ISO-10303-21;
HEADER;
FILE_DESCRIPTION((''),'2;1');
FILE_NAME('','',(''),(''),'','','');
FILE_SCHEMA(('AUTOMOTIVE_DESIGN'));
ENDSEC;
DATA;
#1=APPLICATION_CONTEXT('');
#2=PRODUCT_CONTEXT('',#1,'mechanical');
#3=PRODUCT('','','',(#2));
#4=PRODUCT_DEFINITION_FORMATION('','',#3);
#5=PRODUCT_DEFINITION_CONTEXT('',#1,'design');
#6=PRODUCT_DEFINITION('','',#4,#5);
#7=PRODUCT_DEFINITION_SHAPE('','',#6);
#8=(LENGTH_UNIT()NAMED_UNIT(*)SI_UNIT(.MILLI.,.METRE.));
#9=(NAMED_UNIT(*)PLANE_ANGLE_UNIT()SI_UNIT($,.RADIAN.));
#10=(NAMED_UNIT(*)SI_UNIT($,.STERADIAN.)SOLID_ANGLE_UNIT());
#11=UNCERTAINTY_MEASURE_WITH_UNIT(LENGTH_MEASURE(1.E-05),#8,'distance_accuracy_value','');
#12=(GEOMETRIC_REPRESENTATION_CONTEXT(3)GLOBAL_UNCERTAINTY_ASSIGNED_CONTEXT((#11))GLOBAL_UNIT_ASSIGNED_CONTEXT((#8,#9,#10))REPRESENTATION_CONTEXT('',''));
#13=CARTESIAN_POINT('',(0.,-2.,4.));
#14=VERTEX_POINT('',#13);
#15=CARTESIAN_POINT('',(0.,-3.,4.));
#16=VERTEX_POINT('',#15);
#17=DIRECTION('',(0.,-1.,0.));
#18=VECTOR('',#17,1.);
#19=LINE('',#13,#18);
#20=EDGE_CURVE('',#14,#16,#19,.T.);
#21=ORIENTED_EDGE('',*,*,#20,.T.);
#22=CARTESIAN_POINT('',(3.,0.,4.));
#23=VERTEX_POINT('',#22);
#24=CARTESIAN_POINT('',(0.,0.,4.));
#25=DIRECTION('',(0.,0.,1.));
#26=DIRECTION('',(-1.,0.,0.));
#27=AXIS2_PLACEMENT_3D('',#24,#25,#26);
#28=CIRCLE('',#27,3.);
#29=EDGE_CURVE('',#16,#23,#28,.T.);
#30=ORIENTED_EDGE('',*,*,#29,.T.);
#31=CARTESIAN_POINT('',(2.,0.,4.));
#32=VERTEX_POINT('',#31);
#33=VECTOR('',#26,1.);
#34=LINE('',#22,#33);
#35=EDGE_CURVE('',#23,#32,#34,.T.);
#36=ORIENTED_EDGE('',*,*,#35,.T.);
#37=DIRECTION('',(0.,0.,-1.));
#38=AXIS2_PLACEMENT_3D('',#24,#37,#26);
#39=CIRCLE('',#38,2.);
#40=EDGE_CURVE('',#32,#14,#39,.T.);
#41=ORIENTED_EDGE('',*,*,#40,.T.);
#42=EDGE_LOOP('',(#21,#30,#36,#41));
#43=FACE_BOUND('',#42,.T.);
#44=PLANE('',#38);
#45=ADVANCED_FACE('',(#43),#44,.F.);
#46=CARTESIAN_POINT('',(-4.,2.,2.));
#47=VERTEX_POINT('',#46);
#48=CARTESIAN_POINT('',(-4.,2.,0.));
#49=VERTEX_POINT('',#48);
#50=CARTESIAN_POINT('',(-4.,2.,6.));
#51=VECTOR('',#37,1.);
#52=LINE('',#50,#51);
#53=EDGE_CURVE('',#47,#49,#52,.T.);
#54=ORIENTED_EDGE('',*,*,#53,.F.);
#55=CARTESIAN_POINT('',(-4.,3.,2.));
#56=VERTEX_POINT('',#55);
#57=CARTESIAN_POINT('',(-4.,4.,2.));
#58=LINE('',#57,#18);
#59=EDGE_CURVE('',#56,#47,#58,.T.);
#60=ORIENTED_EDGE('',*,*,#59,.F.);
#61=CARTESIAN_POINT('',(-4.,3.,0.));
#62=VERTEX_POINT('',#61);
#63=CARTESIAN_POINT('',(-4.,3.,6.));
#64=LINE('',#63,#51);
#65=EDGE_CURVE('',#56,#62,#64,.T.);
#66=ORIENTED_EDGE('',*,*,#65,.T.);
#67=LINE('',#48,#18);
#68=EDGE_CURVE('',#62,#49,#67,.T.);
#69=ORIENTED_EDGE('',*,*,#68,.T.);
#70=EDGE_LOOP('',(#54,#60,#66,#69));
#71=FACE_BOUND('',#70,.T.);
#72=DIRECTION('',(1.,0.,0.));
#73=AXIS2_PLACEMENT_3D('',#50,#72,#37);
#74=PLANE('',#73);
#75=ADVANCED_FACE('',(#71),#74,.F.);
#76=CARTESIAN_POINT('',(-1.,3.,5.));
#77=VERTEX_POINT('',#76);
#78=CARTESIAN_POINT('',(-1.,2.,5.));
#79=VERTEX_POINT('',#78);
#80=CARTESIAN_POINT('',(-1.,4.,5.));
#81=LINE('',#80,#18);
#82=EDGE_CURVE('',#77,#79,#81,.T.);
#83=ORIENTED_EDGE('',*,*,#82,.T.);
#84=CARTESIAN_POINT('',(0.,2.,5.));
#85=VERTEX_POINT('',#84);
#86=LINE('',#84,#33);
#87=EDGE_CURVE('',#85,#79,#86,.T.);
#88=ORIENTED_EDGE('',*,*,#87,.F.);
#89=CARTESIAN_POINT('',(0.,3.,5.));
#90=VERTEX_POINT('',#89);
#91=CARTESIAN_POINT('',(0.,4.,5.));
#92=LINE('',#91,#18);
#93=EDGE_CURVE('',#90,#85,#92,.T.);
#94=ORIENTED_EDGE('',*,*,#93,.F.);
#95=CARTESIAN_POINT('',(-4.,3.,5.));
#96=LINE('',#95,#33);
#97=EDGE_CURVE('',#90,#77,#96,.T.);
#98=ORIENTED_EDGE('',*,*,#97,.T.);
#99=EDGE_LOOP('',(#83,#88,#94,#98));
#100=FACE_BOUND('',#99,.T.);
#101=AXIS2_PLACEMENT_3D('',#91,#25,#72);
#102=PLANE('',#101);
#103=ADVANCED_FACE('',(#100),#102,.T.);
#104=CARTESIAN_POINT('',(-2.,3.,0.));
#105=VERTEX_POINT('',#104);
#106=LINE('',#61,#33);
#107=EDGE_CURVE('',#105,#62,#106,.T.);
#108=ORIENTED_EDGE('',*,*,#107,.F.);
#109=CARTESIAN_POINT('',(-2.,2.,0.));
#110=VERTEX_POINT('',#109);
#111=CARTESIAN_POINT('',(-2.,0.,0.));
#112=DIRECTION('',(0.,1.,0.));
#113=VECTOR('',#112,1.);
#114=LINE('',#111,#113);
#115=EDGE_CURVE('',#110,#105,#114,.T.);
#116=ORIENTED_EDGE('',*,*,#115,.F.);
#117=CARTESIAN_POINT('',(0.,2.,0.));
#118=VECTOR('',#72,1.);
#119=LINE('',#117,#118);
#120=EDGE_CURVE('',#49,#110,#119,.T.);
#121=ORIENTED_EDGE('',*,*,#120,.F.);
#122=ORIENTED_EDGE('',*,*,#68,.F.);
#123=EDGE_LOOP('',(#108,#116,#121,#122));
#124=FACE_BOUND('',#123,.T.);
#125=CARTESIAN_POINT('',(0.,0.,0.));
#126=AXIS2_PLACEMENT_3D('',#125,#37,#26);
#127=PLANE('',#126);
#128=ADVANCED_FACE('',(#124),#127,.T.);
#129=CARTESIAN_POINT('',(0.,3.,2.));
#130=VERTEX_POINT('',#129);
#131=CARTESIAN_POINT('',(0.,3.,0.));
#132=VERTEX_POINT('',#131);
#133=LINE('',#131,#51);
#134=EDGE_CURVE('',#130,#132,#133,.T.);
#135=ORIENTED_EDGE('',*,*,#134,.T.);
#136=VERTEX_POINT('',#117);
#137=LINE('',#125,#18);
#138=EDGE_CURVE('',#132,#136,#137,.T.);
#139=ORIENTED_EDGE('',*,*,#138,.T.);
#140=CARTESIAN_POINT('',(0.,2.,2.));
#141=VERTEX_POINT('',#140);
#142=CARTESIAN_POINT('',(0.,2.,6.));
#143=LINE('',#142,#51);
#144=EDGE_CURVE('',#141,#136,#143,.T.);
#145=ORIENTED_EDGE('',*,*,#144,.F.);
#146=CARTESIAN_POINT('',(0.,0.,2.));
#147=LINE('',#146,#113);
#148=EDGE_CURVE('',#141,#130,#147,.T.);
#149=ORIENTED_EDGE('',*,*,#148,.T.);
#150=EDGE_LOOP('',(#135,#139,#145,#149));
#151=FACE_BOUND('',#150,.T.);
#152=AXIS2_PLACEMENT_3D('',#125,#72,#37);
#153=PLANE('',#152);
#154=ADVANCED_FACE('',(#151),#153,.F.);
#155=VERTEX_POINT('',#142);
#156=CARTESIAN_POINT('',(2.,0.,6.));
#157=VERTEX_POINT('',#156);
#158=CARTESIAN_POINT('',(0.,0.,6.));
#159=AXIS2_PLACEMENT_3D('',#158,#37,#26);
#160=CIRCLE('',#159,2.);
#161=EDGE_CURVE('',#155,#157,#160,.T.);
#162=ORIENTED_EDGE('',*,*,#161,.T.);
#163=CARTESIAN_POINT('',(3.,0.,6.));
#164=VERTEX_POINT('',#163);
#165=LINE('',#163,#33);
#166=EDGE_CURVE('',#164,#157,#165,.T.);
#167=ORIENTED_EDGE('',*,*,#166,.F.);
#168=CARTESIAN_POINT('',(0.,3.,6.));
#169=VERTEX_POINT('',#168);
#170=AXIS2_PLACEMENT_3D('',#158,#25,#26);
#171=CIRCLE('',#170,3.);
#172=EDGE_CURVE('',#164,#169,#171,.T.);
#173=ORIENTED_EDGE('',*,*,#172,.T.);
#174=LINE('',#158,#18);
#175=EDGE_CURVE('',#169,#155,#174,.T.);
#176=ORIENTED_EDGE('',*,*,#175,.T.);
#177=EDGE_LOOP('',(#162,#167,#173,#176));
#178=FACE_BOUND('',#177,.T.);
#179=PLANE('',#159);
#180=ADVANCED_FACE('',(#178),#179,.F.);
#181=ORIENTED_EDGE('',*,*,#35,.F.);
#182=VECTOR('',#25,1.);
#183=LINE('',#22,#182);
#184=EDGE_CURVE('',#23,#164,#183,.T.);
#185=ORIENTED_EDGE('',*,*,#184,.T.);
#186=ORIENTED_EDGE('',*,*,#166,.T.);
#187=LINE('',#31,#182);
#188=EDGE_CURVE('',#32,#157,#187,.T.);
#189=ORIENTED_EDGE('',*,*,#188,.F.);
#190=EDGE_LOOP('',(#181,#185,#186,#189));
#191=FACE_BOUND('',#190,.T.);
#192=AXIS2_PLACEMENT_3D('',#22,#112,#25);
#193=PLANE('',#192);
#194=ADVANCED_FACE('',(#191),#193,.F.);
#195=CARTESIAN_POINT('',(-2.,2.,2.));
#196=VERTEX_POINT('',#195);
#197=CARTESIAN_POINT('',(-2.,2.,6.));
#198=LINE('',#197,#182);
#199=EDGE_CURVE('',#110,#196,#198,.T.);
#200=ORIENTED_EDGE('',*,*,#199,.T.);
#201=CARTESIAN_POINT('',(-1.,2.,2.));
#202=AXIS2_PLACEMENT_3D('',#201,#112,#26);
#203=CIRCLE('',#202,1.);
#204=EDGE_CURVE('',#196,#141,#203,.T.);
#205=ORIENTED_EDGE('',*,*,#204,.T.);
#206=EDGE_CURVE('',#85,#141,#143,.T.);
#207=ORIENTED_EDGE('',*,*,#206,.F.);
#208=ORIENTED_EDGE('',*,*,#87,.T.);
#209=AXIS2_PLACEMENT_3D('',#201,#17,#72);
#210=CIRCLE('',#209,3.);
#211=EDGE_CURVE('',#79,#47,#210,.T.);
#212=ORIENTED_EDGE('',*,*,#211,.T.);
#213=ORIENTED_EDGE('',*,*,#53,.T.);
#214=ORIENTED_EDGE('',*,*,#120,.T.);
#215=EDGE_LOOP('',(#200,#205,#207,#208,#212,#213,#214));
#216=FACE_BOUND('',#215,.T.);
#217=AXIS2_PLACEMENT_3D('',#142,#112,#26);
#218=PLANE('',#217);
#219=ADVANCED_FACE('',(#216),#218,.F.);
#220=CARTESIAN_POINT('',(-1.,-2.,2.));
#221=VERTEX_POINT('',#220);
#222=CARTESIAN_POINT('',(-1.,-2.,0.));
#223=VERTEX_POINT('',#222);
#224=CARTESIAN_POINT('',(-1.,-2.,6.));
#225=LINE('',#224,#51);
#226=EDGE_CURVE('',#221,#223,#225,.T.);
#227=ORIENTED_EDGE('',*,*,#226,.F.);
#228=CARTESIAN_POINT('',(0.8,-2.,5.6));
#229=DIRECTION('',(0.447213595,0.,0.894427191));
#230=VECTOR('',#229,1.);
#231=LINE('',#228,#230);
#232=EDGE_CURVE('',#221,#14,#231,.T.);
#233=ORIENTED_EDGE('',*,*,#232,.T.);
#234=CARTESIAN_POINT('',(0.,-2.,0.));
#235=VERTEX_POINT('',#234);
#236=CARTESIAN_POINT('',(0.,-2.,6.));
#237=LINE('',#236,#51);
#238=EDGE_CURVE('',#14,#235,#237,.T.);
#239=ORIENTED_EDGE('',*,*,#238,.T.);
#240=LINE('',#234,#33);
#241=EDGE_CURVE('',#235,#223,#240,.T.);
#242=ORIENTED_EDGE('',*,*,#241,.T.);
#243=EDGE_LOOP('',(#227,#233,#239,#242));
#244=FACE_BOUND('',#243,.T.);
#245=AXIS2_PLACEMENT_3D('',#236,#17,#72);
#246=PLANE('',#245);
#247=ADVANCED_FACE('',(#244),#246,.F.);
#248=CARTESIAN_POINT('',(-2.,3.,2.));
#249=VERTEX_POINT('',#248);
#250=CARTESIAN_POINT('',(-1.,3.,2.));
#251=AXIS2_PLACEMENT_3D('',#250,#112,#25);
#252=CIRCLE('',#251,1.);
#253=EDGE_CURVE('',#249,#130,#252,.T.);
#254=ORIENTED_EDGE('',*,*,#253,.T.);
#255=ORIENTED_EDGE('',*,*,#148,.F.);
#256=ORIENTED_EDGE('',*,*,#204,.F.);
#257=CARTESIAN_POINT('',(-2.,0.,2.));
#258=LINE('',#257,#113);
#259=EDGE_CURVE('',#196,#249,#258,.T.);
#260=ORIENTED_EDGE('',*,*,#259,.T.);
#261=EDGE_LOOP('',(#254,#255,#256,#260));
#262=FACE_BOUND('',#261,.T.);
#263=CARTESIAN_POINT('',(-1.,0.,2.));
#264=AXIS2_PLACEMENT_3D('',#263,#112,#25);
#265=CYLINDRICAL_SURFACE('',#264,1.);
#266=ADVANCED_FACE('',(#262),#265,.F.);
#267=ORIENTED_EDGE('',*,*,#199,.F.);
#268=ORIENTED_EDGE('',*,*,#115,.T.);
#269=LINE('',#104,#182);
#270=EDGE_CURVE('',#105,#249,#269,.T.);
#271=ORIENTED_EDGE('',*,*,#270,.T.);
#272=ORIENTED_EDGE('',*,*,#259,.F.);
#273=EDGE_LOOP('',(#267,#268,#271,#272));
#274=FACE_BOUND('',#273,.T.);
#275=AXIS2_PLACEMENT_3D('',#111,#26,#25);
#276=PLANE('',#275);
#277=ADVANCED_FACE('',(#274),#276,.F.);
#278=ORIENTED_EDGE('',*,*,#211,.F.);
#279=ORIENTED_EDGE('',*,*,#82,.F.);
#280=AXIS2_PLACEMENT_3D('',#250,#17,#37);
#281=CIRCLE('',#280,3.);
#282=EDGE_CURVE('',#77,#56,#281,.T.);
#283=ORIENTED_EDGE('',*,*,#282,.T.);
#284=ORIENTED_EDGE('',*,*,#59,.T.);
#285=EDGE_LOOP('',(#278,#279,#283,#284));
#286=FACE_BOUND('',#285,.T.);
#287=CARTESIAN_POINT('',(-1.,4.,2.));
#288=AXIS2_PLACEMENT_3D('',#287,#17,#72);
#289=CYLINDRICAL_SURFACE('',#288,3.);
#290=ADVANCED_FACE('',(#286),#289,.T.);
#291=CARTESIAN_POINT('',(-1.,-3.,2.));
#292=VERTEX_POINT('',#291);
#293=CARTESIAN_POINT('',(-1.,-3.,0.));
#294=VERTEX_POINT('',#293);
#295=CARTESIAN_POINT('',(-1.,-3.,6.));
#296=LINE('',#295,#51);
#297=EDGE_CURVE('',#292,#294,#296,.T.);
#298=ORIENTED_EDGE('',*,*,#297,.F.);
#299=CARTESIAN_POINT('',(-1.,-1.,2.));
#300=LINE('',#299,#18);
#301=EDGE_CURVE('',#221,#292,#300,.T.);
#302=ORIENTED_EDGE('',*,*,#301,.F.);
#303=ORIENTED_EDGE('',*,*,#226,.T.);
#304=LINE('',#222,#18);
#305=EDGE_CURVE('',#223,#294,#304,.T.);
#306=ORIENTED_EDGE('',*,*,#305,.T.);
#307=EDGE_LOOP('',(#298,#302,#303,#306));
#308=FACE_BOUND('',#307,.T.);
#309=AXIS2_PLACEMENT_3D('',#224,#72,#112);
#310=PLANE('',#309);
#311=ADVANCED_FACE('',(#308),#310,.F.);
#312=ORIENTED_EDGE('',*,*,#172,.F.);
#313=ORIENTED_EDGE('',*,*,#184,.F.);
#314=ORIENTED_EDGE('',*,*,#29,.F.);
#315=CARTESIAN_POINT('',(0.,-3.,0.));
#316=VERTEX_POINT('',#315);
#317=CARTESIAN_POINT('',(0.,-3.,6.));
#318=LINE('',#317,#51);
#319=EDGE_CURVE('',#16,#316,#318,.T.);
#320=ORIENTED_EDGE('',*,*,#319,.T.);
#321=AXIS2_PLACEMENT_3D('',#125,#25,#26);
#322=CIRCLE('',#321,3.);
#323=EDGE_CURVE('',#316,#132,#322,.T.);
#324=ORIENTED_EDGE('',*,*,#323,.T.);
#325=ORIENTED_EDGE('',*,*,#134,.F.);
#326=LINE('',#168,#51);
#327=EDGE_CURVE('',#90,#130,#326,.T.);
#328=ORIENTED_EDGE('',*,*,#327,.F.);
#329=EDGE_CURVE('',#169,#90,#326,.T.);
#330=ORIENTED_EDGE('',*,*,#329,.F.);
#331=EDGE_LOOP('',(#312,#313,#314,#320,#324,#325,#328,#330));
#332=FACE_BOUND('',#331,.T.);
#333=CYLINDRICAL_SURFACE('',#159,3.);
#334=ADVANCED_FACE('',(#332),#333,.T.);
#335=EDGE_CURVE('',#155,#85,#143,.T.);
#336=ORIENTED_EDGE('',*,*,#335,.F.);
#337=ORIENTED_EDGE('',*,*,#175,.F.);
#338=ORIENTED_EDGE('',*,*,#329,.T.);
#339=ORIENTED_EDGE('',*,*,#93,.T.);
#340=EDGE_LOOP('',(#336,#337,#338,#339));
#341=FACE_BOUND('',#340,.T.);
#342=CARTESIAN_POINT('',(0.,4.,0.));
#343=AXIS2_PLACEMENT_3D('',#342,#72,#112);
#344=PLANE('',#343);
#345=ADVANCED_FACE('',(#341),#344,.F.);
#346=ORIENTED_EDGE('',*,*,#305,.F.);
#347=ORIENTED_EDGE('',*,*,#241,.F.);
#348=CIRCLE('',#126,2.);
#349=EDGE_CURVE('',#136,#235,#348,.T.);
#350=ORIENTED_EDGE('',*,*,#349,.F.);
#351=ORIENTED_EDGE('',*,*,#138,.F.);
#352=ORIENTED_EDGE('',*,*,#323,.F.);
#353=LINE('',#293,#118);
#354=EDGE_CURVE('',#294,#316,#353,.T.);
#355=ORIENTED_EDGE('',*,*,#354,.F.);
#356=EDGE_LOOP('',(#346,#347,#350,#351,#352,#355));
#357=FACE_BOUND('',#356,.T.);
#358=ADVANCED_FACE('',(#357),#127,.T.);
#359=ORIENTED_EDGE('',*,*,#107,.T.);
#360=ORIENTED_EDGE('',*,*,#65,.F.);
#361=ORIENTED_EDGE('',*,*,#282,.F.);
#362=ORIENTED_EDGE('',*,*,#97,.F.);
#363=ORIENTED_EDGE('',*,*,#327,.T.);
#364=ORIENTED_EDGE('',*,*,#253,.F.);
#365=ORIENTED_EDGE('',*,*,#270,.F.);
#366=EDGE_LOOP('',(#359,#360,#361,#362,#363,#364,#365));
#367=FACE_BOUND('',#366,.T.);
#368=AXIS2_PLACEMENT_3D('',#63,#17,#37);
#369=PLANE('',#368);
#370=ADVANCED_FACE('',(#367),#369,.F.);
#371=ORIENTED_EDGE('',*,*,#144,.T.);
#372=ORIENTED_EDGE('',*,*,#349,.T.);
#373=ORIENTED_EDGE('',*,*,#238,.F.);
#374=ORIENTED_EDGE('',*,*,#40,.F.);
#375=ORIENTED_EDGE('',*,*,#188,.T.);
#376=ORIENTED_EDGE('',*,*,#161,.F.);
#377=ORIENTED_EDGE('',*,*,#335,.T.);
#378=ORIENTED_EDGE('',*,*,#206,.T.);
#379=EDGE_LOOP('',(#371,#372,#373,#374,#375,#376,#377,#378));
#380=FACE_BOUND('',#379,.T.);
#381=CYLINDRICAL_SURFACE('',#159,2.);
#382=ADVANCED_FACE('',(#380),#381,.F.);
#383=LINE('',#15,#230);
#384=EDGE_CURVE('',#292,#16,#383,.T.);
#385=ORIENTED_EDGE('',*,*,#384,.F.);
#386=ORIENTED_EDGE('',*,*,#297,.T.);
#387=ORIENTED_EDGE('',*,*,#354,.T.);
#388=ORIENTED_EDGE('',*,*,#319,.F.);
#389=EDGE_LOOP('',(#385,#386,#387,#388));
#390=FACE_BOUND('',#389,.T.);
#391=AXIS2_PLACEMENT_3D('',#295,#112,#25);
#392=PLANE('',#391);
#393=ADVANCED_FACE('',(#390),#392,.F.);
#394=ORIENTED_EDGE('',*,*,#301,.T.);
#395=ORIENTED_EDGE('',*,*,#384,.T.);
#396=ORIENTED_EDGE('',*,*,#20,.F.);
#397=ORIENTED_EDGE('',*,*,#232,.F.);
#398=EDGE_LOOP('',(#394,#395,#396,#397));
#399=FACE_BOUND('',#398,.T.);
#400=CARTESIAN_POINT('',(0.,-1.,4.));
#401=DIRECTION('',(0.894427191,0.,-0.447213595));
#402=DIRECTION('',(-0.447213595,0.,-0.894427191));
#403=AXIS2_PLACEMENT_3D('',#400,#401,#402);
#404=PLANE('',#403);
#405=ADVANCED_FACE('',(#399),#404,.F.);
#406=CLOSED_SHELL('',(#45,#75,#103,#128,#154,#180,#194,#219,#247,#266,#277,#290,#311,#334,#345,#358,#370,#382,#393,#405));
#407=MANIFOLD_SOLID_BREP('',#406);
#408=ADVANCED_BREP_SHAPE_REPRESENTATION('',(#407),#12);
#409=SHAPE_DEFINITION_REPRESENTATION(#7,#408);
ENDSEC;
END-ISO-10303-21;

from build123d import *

# Parameters (mm, degrees)
BOSS_EXTRUDE1_DEPTH = 6
CUT_EXTRUDE1_DEPTH  = 2
CUT_EXTRUDE2_DEPTH  = 2
CUT_EXTRUDE3_DEPTH  = 2
CUT_EXTRUDE4_DEPTH  = 3


with BuildPart() as part:
    # Sketch1 → Boss-Extrude1 (new body)
    with BuildSketch(Plane.XY):
        with BuildLine():
            Line((0, 2), (-4, 2))
            Line((-4, 2), (-4, 3))
            Line((-4, 3), (0, 3))
            ThreePointArc((0, 3), (3, 0), (0, -3))
            Line((0, -3), (-1, -3))
            Line((-1, -3), (-1, -2))
            Line((-1, -2), (0, -2))
            ThreePointArc((0, -2), (2, 0), (0, 2))
        make_face()
    extrude(amount=BOSS_EXTRUDE1_DEPTH)

    # Sketch2 → Cut-Extrude1 (cut)
    with BuildSketch(Plane.XY.offset(6)):
        with BuildLine():
            Line((3, 0), (2, 0))
            ThreePointArc((2, 0), (1.414213562, -1.414213562), (0, -2))
            Line((0, -2), (0, -3))
            ThreePointArc((0, -3), (2.121320344, -2.121320344), (3, 0))
        make_face()
    extrude(amount=-CUT_EXTRUDE1_DEPTH, mode=Mode.SUBTRACT)

    # Sketch3 → Cut-Extrude2 (cut)
    with BuildSketch(Plane.XZ.offset(3)):
        Polygon((0, 4), (-1, 2), (-1, 6), (0, 6), align=None)
    extrude(amount=-CUT_EXTRUDE2_DEPTH, mode=Mode.SUBTRACT)

    # Sketch4 → Cut-Extrude3 (cut)
    with BuildSketch(Plane.XZ.offset(-2)):
        with BuildLine():
            Line((-1, 5), (0, 5))
            Line((0, 5), (0, 6))
            Line((0, 6), (-4, 6))
            Line((-4, 6), (-4, 2))
            ThreePointArc((-4, 2), (-3.121320344, 4.121320344), (-1, 5))
        make_face()
    extrude(amount=-CUT_EXTRUDE3_DEPTH, mode=Mode.SUBTRACT)

    # Sketch5 → Cut-Extrude4 (cut)
    with BuildSketch(Plane(origin=(0, 3, 0), x_dir=(1, 0, 0), z_dir=(0, 1, 0))):
        with BuildLine():
            Line((-2, 0), (-2, -2))
            ThreePointArc((-2, -2), (-1, -3), (0, -2))
            Line((0, -2), (0, 0))
            Line((0, 0), (-2, 0))
        make_face()
    extrude(amount=-CUT_EXTRUDE4_DEPTH, mode=Mode.SUBTRACT)


solid = part.part
